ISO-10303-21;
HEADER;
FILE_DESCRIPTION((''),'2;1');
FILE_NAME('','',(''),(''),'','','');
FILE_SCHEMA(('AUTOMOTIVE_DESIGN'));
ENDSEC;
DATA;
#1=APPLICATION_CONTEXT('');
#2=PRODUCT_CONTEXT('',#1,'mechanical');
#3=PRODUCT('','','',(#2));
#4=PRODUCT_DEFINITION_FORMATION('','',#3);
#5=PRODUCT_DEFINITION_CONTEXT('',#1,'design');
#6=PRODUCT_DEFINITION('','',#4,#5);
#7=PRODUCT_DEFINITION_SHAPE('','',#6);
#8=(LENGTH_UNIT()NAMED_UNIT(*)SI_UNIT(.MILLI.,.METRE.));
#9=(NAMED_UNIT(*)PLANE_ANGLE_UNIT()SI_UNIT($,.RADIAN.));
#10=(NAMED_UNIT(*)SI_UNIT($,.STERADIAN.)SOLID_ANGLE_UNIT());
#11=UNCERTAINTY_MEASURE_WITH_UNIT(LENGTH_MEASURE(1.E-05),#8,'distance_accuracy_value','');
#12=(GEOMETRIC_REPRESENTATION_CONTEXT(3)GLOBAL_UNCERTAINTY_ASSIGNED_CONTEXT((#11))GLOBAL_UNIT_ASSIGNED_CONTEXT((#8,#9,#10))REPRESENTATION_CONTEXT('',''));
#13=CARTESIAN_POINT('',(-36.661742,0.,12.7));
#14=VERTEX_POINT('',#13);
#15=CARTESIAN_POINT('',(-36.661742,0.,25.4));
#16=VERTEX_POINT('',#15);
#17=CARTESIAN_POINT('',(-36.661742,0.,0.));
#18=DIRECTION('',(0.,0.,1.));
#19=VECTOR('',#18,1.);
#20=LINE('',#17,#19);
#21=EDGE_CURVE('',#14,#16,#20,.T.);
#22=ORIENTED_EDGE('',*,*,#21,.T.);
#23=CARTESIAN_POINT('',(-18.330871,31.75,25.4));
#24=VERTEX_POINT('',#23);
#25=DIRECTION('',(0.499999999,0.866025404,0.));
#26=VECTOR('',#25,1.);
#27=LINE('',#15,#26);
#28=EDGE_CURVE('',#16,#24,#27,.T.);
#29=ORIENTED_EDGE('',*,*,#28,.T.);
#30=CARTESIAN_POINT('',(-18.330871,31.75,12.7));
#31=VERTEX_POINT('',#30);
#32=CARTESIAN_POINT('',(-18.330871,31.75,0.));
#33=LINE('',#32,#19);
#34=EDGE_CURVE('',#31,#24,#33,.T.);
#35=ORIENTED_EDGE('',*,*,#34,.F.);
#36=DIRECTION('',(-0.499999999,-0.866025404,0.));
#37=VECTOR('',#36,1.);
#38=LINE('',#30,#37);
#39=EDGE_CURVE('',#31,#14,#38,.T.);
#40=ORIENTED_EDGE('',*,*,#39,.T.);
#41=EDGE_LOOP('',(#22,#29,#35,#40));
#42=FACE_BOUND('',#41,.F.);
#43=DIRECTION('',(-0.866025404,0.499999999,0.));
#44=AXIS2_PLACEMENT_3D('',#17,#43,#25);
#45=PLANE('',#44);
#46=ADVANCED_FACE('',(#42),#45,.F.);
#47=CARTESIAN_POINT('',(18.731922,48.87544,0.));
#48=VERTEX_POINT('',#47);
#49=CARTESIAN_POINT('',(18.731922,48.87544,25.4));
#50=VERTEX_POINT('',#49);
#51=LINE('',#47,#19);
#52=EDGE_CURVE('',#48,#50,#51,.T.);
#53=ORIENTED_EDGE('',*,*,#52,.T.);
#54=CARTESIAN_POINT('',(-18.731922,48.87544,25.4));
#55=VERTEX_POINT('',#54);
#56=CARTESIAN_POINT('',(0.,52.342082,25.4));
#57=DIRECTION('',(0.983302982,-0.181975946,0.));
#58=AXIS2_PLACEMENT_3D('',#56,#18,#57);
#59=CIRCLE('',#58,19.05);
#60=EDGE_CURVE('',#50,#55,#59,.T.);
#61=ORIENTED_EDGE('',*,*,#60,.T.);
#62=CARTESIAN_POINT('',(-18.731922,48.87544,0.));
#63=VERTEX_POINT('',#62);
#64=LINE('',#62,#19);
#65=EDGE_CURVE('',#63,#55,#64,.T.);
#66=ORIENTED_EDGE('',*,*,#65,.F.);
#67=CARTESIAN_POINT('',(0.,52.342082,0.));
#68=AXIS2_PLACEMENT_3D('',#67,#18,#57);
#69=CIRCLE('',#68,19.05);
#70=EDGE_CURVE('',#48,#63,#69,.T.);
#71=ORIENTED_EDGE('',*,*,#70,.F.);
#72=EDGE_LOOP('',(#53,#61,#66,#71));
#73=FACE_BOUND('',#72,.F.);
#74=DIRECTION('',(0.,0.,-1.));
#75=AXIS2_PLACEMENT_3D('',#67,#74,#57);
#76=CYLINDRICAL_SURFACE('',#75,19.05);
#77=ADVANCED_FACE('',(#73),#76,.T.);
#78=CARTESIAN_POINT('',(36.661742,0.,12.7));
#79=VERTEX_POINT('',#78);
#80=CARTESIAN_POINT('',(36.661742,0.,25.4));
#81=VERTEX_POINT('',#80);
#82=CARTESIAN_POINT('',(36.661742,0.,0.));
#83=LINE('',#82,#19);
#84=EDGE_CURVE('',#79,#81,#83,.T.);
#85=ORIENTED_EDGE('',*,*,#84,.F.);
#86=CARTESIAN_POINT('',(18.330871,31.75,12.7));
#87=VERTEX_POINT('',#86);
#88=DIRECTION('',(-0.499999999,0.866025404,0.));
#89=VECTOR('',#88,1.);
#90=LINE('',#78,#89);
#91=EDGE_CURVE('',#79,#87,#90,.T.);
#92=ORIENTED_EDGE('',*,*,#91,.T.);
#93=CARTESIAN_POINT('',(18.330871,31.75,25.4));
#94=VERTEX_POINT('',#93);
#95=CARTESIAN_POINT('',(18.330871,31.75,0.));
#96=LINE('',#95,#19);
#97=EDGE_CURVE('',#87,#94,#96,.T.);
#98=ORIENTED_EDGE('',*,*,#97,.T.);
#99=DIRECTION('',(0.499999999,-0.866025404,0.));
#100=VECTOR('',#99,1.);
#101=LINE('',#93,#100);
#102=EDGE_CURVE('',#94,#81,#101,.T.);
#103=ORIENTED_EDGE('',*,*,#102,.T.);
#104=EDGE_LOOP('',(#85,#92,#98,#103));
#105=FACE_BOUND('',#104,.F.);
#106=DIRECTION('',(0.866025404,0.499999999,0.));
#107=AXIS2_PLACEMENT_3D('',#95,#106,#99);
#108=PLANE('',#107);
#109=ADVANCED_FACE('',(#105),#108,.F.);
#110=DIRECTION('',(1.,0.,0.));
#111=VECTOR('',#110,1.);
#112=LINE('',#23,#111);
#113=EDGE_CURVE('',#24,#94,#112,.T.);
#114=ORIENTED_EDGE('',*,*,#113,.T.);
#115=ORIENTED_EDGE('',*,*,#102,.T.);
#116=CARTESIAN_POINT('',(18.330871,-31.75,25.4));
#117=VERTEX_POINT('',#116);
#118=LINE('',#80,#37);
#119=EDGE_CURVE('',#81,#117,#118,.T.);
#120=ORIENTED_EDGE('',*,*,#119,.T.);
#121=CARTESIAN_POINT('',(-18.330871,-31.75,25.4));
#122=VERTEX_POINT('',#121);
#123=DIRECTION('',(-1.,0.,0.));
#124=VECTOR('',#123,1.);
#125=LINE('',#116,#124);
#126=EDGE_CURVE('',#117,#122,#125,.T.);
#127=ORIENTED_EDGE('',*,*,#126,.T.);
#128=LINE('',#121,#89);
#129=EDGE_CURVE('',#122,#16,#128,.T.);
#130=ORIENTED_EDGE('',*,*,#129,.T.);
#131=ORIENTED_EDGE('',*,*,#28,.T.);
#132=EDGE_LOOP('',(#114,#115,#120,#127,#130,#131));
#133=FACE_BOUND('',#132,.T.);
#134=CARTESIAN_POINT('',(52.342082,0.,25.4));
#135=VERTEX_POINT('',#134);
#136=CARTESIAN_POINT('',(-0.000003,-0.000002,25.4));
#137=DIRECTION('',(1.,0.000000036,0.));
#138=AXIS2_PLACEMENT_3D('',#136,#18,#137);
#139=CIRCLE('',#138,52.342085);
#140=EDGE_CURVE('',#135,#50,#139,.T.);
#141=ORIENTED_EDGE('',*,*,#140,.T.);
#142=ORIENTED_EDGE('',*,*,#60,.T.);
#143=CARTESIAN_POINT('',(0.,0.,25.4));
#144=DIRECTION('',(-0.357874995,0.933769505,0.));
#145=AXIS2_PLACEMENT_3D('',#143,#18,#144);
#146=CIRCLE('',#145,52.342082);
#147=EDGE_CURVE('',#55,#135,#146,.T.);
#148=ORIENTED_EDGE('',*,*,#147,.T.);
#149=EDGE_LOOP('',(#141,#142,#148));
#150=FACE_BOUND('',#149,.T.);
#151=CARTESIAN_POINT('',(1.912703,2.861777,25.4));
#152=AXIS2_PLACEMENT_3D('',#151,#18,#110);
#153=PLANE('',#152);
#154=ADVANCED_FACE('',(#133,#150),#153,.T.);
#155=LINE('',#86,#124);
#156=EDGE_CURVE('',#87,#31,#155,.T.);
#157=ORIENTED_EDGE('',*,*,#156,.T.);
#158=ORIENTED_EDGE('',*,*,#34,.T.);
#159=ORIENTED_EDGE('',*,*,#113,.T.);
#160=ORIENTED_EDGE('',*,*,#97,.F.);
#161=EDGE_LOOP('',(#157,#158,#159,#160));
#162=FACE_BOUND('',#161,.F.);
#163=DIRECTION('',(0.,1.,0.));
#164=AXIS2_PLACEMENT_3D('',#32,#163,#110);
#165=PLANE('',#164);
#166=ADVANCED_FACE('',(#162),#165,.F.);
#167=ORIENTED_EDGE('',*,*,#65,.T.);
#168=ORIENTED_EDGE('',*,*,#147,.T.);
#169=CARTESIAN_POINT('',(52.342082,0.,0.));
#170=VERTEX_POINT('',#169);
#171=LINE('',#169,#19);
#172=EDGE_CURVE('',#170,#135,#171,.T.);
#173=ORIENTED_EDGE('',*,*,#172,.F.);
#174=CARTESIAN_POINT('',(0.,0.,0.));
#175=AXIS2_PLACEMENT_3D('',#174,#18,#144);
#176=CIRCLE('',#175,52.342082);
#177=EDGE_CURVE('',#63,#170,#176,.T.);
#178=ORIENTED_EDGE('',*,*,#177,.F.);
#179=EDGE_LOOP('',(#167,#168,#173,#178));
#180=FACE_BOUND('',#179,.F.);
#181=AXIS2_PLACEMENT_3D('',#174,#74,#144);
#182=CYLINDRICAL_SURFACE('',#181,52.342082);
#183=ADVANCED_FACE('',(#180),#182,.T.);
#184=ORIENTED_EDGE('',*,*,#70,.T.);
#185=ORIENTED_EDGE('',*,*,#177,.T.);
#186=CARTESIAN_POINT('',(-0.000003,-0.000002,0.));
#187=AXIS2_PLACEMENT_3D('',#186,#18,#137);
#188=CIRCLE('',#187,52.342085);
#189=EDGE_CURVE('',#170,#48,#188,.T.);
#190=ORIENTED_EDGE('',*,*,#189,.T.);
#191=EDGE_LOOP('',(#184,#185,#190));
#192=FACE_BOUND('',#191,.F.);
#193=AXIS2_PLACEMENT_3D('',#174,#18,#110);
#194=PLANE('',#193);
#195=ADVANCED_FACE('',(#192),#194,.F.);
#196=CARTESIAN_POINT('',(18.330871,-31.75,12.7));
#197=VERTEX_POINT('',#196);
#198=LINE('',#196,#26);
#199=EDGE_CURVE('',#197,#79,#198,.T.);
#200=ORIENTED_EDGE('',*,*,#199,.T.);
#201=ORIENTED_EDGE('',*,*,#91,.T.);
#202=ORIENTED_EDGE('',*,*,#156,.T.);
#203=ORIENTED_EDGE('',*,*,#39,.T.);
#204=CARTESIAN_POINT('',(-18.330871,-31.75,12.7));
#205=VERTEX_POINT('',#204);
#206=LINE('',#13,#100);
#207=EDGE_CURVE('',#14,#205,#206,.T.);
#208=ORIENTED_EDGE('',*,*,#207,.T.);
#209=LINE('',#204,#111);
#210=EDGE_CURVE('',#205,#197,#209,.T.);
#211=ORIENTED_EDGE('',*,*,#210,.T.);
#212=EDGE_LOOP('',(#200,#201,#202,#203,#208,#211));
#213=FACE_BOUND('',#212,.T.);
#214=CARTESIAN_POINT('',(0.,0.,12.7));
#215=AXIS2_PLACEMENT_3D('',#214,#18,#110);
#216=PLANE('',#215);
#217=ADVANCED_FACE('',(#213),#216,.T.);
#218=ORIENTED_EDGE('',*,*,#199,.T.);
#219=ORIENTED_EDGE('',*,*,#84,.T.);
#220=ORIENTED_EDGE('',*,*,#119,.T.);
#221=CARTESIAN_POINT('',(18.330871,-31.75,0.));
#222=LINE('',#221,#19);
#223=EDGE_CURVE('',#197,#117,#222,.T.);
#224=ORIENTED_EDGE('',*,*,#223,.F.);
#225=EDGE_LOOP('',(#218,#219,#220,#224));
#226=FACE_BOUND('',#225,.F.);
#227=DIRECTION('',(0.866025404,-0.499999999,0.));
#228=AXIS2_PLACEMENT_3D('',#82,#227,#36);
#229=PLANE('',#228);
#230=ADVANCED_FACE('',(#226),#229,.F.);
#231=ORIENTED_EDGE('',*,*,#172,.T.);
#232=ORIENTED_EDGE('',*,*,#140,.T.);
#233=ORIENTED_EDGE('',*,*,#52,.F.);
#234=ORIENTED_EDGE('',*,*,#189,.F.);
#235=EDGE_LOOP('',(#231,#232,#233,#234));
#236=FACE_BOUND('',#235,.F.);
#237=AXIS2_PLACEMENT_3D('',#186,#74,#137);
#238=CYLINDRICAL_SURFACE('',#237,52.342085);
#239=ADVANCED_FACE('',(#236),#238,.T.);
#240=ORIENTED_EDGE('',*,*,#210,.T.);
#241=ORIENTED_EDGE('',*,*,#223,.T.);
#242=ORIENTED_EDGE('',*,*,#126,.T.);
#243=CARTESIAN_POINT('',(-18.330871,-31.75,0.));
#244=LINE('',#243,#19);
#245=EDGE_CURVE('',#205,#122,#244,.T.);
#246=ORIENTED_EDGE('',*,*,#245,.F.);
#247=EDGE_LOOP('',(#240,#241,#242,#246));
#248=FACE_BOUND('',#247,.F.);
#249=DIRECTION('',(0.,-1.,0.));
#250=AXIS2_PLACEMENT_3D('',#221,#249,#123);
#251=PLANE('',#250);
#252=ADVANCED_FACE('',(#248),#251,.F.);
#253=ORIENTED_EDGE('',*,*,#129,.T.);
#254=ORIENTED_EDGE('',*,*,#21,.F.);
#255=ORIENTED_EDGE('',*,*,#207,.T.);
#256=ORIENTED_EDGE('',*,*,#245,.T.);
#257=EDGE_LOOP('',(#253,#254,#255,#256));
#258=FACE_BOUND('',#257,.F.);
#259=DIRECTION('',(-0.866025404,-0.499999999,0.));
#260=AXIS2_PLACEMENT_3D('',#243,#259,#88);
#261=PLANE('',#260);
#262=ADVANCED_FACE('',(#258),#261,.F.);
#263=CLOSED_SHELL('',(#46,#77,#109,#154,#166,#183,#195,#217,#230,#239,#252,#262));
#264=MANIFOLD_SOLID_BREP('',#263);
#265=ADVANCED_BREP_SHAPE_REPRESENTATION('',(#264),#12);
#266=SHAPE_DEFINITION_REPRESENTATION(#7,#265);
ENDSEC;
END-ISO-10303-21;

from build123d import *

# Parameters (mm, degrees)
F1_DEPTH = 25.4
F2_DEPTH = 12.7


with BuildPart() as f1:
    # F0 (on Top) → F1 (new body)
    with BuildSketch(Plane.XY):
        with BuildLine():
            ThreePointArc((-18.731922, 48.87544), (-29.658268, -43.128652), (52.342082, 0))
            ThreePointArc((52.342082, 0), (43.128652, 29.658268), (18.731922, 48.87544))
            ThreePointArc((18.731922, 48.87544), (0, 52.342082), (-18.731922, 48.87544))
        make_face()
        Polygon((-36.661742, 0), (-18.330871, 31.75), (18.330871, 31.75), (36.661742, 0), (18.330871, -31.75), (-18.330871, -31.75), align=None, mode=Mode.SUBTRACT)
        with BuildLine():
            ThreePointArc((-18.731922, 48.87544), (0, 52.342082), (18.731922, 48.87544))
            ThreePointArc((18.731922, 48.87544), (0, 71.392082), (-18.731922, 48.87544))
        make_face()
    extrude(amount=F1_DEPTH)

    # F0 (on Top) → F2 (join)
    with BuildSketch(Plane.XY):
        Polygon((18.330871, 31.75), (-18.330871, 31.75), (-36.661742, 0), (-18.330871, -31.75), (18.330871, -31.75), (36.661742, 0), align=None)
    extrude(amount=F2_DEPTH)


solid = f1.part
